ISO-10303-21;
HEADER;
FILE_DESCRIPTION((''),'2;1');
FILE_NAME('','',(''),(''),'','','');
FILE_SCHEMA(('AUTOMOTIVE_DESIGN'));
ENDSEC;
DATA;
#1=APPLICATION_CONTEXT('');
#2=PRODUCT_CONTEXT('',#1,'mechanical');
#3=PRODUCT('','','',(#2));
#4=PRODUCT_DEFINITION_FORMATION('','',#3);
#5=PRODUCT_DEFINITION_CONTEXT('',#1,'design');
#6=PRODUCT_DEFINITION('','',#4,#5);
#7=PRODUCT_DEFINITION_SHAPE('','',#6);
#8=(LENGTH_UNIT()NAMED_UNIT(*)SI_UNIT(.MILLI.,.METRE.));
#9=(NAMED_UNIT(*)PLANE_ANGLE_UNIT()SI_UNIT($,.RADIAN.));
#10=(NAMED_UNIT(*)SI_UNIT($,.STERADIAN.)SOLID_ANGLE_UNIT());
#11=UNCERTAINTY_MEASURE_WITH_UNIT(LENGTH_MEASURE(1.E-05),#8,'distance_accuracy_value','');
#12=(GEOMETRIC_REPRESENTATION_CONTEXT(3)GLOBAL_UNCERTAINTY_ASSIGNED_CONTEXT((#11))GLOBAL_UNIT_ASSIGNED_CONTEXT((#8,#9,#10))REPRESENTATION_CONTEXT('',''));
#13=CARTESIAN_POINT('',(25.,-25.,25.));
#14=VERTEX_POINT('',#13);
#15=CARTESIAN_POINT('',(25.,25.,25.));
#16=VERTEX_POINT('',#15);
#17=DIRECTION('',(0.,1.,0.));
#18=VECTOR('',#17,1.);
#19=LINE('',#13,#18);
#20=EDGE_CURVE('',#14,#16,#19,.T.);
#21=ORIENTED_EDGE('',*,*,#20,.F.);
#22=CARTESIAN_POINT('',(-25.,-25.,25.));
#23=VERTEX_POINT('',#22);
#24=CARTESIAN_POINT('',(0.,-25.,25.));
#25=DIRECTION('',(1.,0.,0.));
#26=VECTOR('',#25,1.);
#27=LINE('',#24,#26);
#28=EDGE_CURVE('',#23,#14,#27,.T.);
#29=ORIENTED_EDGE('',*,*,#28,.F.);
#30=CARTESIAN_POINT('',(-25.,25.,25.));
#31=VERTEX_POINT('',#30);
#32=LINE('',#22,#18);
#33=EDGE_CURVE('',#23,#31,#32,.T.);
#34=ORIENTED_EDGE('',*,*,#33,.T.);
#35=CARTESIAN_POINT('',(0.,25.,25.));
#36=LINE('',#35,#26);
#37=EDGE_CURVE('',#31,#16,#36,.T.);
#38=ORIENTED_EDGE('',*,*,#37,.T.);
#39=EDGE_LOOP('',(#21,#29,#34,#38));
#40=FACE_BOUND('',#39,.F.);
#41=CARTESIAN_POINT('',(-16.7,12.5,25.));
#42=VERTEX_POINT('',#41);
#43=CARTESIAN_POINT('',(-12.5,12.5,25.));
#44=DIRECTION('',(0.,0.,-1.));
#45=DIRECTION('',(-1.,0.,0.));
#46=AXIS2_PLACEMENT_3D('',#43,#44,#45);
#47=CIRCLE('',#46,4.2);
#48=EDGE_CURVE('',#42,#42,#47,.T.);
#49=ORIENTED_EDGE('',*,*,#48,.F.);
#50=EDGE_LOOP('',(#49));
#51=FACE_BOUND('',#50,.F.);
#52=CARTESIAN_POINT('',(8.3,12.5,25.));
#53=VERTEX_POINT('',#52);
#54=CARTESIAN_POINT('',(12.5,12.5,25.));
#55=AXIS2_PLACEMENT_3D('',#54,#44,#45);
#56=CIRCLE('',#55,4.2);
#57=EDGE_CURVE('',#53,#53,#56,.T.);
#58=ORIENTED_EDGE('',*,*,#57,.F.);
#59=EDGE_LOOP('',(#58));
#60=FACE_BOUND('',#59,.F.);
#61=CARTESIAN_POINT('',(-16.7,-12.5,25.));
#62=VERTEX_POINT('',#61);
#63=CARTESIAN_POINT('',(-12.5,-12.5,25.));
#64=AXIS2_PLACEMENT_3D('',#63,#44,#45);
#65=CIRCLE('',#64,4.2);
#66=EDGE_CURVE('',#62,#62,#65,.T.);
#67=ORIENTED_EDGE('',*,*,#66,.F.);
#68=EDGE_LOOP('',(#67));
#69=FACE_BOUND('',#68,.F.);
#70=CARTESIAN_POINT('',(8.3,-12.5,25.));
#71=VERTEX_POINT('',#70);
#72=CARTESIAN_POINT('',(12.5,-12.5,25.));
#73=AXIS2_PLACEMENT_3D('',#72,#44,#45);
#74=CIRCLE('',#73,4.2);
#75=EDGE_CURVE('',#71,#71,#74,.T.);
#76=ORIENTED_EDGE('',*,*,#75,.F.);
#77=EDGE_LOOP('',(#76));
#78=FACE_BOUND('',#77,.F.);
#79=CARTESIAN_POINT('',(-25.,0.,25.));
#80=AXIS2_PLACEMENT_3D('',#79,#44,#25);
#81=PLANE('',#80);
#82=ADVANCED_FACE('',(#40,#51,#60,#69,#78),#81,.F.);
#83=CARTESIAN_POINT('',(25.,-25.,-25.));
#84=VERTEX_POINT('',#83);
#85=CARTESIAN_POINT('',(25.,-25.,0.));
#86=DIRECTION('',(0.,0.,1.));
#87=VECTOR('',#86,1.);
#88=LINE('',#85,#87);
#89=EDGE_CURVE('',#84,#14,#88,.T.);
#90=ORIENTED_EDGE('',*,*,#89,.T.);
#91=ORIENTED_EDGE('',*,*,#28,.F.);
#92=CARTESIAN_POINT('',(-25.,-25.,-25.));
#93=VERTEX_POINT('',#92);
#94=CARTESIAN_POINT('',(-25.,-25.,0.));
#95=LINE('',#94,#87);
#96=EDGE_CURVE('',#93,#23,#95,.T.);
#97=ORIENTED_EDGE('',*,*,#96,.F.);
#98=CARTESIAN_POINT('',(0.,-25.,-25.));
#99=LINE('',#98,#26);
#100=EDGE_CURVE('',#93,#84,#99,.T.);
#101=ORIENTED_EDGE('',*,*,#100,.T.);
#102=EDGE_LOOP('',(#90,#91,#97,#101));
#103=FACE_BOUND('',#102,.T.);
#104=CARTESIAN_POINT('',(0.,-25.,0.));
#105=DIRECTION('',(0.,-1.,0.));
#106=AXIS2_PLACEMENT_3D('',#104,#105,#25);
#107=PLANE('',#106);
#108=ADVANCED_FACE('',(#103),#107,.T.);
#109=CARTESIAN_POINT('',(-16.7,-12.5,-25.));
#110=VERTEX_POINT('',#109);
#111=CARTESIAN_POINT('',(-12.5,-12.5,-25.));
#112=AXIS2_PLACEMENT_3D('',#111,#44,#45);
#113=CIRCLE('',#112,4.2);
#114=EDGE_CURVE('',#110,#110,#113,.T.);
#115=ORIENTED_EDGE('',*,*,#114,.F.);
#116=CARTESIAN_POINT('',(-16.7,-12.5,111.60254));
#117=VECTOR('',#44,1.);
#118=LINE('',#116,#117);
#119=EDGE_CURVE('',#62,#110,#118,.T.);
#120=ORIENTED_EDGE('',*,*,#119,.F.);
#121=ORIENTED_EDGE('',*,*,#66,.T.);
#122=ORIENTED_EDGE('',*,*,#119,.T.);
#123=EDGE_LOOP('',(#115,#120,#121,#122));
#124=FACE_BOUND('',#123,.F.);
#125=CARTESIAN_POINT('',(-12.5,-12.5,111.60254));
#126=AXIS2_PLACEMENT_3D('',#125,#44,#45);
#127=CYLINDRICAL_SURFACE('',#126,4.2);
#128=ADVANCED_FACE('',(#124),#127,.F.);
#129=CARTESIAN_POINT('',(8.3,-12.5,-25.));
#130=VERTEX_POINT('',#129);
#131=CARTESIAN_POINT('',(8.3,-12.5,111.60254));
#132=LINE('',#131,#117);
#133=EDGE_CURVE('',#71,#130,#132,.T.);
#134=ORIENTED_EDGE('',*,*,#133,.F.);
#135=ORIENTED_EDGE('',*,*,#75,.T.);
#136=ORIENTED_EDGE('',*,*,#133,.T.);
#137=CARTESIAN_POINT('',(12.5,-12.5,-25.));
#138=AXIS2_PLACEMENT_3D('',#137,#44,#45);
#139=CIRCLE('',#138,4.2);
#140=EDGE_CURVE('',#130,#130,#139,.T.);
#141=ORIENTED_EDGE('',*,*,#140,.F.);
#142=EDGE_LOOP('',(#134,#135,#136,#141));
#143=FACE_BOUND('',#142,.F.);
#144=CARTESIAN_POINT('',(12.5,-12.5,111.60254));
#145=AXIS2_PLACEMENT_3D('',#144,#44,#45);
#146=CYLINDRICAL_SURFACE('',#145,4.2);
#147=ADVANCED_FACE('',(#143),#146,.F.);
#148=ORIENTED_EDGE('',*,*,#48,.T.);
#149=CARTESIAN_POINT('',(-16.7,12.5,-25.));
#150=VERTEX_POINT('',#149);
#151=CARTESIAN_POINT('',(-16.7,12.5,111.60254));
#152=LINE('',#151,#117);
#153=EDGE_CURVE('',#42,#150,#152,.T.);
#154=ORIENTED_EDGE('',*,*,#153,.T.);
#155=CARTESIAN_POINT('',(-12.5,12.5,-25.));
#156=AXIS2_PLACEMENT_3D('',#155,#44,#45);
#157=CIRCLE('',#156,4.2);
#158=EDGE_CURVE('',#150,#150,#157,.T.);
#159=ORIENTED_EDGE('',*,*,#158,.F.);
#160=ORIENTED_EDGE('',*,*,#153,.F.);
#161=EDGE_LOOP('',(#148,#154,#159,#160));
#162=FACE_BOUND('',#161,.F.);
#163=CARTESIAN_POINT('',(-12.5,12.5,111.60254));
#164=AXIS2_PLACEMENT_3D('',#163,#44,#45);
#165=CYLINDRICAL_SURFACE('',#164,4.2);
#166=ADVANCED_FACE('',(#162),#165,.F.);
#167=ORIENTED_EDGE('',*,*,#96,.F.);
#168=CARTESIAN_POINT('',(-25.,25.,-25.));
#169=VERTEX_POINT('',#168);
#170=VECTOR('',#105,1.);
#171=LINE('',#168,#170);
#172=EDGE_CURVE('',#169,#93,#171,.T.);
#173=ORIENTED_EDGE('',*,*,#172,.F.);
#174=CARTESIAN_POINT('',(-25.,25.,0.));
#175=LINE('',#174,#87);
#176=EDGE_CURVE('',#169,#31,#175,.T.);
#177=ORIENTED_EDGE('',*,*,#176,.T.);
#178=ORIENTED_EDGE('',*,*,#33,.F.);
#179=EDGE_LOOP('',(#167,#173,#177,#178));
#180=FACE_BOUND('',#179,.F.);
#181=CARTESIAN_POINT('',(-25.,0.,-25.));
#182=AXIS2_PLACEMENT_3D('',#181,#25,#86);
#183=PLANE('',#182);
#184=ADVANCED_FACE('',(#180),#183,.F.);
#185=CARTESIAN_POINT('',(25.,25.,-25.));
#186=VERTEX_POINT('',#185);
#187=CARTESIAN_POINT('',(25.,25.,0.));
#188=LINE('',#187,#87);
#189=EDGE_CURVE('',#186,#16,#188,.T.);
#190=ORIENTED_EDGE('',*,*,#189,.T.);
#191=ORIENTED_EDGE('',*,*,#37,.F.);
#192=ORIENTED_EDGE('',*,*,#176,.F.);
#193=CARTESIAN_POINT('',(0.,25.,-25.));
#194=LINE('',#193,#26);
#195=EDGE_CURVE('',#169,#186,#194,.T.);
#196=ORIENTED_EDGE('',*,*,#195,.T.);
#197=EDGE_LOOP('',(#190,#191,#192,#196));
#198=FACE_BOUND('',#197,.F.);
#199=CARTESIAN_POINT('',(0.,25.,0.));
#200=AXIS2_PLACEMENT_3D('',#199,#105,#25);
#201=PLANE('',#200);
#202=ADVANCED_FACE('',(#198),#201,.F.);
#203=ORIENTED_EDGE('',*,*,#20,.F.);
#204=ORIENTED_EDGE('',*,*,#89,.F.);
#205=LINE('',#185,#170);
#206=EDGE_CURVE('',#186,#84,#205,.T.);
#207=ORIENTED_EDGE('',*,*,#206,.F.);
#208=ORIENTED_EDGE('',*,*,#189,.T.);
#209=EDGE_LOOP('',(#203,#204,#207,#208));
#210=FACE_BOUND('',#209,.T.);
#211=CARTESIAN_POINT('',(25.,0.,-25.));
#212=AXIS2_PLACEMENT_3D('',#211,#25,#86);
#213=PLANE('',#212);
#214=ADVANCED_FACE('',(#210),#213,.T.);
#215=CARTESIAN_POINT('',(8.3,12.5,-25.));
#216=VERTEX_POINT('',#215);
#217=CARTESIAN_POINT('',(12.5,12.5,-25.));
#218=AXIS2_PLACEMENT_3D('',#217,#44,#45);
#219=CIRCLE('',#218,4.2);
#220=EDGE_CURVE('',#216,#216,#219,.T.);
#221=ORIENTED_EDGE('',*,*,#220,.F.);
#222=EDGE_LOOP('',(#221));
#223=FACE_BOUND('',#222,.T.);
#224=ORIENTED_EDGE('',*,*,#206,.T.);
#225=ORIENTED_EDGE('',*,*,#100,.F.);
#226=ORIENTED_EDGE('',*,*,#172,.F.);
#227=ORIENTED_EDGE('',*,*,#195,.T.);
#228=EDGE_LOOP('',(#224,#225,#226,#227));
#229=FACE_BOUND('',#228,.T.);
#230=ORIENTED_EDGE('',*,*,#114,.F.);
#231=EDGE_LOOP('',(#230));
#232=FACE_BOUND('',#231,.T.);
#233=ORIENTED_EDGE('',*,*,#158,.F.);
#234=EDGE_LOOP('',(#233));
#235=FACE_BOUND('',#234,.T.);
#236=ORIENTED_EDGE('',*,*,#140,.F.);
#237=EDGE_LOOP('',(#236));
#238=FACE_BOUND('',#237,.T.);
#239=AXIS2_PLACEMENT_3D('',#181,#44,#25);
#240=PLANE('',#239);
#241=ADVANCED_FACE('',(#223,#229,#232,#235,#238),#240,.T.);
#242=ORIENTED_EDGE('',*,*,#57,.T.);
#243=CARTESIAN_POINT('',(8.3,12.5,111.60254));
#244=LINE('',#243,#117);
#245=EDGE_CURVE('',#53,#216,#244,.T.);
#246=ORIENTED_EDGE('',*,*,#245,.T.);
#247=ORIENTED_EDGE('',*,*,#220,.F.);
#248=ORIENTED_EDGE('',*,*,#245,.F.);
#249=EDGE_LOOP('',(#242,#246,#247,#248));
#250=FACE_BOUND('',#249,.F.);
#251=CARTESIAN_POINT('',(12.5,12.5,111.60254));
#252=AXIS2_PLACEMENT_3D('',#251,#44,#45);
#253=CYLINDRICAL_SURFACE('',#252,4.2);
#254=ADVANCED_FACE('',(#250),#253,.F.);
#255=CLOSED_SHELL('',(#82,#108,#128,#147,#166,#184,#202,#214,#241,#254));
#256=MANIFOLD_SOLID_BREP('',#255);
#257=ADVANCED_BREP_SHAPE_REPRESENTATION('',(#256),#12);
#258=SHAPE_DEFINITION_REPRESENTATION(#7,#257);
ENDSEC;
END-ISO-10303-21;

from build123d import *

# Parameters (mm, degrees)
F0_W     = 50
F0_H     = 50
F1_DEPTH = 25
F3_D     = 8.4


with BuildPart() as f1:
    # F0 (on Front) → F1 (new body, symmetric)
    with BuildSketch(Plane.XZ):
        Rectangle(F0_W, F0_H)
    extrude(amount=F1_DEPTH, both=True)

    # F3 (through all)
    with Locations(Plane.XY.offset(25)):
        with Locations((-12.5, 12.5), (12.5, 12.5), (12.5, -12.5), (-12.5, -12.5)):
            Hole(F3_D / 2)


solid = f1.part
